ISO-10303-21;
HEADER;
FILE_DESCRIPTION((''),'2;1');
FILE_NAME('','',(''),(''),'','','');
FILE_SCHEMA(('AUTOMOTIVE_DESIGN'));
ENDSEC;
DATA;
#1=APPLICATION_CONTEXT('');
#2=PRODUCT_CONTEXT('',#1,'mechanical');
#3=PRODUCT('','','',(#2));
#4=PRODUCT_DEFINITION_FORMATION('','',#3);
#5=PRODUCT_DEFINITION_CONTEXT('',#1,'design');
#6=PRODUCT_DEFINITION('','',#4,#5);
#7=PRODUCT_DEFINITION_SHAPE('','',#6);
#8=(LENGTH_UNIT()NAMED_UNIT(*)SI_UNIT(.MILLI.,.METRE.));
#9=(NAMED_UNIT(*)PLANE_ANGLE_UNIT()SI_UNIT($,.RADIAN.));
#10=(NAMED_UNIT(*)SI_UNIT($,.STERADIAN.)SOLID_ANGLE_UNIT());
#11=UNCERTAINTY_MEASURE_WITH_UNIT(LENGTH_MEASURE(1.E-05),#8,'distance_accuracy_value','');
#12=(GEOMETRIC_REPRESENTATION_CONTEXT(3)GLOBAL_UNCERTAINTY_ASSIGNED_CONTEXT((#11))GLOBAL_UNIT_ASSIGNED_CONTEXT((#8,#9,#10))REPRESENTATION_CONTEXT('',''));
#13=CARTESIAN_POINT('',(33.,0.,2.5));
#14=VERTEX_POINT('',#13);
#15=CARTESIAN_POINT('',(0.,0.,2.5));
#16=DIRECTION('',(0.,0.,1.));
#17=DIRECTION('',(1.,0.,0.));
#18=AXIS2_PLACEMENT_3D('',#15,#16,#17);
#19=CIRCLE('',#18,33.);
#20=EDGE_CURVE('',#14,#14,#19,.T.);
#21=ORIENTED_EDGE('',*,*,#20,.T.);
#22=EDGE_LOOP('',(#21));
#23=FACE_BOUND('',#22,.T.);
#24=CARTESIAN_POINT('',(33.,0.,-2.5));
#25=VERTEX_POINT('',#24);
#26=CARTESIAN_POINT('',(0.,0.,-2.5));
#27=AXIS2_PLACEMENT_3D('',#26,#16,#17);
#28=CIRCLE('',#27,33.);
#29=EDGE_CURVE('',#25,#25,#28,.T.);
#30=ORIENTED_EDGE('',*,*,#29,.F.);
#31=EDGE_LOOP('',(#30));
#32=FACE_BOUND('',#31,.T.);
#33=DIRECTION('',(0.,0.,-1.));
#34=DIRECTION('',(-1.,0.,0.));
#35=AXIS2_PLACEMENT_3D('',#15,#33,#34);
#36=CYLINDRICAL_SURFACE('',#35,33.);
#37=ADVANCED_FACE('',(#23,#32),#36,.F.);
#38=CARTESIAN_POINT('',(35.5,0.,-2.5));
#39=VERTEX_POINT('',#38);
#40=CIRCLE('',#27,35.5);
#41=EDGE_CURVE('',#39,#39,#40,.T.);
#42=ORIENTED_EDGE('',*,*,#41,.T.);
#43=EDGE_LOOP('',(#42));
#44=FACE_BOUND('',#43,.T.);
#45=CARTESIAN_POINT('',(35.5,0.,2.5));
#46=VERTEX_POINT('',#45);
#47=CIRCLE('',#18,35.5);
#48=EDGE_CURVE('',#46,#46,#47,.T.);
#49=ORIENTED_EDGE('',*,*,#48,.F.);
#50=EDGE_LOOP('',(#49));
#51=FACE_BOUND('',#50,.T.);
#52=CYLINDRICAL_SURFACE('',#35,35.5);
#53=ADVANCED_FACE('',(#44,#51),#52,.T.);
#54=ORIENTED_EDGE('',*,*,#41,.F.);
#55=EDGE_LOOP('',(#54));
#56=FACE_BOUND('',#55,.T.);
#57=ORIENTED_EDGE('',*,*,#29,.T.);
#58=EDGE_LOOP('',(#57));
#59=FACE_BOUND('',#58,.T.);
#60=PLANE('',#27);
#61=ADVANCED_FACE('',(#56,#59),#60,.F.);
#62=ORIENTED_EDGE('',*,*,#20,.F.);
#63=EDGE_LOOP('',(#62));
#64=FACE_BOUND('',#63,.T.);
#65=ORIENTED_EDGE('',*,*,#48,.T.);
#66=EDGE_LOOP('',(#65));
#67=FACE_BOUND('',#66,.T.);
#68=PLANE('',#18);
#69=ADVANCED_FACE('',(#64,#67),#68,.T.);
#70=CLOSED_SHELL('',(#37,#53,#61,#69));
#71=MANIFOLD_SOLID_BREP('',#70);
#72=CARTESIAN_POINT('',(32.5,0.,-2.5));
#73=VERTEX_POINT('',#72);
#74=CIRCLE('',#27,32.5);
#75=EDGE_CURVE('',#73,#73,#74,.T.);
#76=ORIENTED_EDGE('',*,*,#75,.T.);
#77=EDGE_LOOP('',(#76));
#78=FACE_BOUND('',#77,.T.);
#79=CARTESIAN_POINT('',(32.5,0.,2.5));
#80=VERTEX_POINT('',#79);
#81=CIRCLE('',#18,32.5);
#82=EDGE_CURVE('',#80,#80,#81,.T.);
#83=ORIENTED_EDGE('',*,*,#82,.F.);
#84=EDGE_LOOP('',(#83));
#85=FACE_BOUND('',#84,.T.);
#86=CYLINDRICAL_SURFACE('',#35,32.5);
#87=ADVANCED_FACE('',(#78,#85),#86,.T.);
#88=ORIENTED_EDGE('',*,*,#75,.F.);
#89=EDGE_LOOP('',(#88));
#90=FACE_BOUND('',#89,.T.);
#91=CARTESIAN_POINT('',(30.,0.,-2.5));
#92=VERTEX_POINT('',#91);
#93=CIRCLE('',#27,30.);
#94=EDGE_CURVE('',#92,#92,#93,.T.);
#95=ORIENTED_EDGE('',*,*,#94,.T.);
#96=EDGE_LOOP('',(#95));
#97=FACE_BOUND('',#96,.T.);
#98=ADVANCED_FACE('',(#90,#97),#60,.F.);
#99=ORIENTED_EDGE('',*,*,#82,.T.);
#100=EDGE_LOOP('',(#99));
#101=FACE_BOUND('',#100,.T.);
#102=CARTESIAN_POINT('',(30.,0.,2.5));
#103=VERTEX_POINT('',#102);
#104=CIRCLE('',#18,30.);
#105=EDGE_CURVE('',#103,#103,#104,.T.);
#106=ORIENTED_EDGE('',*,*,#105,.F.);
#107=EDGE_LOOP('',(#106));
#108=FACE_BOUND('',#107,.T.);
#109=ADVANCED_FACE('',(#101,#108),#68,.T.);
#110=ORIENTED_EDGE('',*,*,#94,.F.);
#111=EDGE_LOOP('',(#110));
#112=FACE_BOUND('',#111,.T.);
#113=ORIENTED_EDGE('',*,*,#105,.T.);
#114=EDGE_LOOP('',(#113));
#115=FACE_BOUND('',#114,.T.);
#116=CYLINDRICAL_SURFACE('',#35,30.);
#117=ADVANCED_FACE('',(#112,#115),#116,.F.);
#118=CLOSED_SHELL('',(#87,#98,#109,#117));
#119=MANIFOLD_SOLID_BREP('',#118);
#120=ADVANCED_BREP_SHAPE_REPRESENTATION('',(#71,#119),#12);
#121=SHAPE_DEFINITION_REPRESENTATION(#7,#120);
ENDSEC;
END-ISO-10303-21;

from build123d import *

# Parameters (mm, degrees)
SKETCH1_R             = 32.5
SKETCH1_R_2           = 30
BOSS_EXTRUDE1_DEPTH   = 2.5
SKETCH1_R_3           = 35.5
SKETCH1_R_4           = 33
BOSS_EXTRUDE1_2_DEPTH = 2.5


with BuildPart() as part:
    # Sketch1 → Boss-Extrude1 (new, symmetric)
    with BuildSketch(Plane.XY):
        Circle(SKETCH1_R)
        Circle(SKETCH1_R_2, mode=Mode.SUBTRACT)
    extrude(amount=BOSS_EXTRUDE1_DEPTH, both=True)


with BuildPart() as body_2:
    # Sketch1 → Boss-Extrude1 2 (new, symmetric)
    with BuildSketch(Plane.XY):
        Circle(SKETCH1_R_3)
        Circle(SKETCH1_R_4, mode=Mode.SUBTRACT)
    extrude(amount=BOSS_EXTRUDE1_2_DEPTH, both=True)


solid = Compound([part.part, body_2.part])
